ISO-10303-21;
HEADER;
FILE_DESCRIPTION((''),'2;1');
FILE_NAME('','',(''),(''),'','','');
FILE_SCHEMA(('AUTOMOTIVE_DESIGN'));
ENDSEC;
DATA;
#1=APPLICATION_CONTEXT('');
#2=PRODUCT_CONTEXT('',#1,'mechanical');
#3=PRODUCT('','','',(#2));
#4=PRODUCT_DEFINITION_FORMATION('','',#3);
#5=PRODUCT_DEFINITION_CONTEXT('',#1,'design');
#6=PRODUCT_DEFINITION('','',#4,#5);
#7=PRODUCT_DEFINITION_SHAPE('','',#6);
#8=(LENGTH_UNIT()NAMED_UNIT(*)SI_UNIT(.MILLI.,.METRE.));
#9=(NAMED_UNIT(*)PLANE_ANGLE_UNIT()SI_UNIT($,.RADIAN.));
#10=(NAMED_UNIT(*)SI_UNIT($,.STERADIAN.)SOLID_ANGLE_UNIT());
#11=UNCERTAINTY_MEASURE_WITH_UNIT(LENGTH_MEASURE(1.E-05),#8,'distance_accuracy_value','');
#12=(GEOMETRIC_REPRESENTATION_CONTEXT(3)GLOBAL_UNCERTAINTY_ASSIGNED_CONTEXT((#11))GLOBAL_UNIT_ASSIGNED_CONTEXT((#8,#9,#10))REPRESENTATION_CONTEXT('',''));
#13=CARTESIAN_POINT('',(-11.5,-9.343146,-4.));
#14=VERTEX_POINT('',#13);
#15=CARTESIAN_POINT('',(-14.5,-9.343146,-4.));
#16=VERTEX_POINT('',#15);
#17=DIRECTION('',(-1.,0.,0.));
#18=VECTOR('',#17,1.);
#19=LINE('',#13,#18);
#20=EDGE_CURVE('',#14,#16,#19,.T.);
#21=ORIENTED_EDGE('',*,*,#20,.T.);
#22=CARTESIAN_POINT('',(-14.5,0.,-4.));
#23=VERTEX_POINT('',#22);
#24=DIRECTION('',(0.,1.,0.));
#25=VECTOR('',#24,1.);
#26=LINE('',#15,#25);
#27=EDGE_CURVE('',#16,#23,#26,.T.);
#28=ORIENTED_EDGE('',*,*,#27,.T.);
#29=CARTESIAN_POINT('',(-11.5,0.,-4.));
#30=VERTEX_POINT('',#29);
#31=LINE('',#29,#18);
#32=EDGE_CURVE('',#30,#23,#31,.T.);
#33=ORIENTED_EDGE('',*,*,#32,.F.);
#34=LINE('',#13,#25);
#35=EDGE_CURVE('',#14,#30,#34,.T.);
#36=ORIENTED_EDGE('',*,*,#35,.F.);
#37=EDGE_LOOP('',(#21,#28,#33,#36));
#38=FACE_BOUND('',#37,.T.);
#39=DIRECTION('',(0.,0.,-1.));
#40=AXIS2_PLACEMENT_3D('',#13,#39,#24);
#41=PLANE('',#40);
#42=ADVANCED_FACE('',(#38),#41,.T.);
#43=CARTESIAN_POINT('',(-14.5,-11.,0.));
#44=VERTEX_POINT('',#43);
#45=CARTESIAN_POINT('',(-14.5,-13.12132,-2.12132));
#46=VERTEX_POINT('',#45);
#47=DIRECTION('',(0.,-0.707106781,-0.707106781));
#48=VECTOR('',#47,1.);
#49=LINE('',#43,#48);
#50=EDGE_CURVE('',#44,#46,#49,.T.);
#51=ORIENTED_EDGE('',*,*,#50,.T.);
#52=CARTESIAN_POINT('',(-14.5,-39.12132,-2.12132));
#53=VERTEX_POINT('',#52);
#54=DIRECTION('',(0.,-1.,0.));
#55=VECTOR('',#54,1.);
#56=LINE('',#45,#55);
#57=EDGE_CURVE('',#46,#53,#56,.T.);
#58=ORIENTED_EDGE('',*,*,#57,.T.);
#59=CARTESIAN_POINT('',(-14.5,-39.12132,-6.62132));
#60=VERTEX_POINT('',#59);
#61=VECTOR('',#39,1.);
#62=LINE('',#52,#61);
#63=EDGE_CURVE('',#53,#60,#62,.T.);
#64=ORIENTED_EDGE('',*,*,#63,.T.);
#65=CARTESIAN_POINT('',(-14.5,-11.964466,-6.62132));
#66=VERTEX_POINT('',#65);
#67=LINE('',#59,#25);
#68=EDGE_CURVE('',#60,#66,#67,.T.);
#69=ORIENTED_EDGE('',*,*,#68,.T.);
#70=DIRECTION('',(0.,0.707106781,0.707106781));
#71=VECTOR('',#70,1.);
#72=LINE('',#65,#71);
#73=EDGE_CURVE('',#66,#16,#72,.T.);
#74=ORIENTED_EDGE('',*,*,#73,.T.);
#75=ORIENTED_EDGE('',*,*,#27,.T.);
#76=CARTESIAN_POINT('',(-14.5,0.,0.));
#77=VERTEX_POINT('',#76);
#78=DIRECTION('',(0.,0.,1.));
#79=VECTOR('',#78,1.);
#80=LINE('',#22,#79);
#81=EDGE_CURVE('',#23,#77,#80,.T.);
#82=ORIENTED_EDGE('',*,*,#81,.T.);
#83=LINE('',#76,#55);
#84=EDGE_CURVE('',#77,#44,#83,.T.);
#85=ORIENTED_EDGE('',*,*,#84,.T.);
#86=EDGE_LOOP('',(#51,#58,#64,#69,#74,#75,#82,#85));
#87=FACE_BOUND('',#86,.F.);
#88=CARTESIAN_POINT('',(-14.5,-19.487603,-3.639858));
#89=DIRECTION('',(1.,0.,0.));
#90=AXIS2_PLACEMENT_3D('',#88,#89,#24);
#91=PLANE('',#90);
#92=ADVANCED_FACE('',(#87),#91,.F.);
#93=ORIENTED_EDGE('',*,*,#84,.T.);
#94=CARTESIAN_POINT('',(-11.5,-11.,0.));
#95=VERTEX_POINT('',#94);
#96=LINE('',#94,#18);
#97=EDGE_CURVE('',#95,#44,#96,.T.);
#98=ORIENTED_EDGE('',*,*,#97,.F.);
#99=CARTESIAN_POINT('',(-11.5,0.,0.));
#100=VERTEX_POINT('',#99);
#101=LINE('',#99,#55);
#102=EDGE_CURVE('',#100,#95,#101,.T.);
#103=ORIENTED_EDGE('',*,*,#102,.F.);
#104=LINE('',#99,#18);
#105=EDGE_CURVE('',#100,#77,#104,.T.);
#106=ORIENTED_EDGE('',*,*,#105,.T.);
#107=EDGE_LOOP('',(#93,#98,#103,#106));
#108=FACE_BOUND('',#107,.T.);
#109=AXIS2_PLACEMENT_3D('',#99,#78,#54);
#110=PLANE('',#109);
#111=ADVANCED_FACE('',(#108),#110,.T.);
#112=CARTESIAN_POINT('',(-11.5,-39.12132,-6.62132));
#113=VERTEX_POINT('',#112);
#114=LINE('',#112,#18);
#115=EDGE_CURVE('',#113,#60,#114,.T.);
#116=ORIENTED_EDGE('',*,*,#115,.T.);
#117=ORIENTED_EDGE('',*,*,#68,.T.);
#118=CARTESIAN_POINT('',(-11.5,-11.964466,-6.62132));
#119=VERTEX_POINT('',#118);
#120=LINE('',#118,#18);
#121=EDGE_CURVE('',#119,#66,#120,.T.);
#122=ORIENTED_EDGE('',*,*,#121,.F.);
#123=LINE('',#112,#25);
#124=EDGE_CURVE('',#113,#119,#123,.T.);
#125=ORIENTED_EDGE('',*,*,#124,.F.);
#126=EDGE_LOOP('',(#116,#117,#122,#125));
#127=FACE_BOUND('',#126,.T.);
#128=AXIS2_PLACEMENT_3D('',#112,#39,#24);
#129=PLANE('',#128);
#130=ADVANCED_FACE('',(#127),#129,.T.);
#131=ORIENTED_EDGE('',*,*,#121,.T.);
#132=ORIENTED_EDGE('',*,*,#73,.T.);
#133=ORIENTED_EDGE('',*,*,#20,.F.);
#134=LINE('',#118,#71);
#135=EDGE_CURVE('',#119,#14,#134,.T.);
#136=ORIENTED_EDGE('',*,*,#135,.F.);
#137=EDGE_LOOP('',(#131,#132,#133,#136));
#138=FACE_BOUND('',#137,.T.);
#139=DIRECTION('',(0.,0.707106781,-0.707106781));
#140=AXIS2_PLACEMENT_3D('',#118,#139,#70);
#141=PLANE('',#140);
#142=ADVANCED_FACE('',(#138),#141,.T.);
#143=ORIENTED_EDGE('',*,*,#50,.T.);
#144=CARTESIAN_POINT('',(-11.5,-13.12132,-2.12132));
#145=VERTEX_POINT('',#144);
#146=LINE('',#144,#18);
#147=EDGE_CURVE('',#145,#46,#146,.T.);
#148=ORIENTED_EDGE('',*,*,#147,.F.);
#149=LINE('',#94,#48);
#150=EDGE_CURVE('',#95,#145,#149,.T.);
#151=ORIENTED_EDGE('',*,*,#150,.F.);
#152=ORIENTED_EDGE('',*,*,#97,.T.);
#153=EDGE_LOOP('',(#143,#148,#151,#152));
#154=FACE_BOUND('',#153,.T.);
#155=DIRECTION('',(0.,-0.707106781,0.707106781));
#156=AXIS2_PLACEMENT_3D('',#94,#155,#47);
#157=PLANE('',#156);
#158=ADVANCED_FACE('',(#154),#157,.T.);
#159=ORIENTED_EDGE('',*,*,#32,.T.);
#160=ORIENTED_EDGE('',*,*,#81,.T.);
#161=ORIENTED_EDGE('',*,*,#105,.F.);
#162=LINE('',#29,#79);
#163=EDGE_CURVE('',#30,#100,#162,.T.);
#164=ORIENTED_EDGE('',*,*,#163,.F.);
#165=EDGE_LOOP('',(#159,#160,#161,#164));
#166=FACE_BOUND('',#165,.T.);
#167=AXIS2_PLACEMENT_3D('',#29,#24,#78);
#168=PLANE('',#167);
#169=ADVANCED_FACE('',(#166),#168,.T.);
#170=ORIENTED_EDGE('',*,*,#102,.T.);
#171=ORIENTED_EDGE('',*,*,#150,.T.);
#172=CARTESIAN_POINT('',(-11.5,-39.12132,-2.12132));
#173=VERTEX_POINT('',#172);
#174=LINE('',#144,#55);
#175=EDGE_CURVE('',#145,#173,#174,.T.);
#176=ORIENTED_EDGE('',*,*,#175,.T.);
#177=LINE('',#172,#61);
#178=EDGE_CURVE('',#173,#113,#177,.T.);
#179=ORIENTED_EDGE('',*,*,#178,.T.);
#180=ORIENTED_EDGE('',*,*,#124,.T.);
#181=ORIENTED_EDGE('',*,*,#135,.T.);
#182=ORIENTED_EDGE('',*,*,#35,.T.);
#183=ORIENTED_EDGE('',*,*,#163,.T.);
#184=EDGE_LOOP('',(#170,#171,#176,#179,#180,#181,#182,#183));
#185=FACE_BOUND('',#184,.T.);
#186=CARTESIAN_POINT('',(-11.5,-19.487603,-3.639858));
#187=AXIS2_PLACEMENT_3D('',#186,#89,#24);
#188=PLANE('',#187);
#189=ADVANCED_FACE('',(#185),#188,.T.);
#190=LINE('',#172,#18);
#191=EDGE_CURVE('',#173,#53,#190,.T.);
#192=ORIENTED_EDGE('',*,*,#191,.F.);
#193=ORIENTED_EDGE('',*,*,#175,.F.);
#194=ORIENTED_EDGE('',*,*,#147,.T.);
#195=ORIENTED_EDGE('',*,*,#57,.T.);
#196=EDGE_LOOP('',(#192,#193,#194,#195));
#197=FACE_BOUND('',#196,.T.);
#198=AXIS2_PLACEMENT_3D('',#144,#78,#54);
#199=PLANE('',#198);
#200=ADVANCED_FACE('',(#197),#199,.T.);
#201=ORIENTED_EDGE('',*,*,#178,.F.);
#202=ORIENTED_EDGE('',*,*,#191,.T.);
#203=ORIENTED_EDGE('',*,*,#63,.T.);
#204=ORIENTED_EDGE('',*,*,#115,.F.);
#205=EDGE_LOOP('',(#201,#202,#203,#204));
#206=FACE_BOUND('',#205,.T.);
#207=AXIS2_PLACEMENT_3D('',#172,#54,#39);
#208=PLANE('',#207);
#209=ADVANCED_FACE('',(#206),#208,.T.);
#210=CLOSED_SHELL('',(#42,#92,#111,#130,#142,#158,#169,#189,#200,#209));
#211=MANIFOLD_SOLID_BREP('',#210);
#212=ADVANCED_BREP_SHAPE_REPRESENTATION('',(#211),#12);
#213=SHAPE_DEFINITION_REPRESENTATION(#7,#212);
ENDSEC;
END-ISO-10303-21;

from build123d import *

# Parameters (mm, degrees)
F2_DEPTH = 3


with BuildPart() as f2:
    # F1 (on offset) → F2 (new body)
    with BuildSketch(Plane.YZ.offset(-11.5)):
        Polygon((0, -4), (0, 0), (-11, 0), (-13.12132, -2.12132), (-39.12132, -2.12132), (-39.12132, -6.62132), (-11.964466, -6.62132), (-9.343146, -4), align=None)
    extrude(amount=-F2_DEPTH)


solid = f2.part
